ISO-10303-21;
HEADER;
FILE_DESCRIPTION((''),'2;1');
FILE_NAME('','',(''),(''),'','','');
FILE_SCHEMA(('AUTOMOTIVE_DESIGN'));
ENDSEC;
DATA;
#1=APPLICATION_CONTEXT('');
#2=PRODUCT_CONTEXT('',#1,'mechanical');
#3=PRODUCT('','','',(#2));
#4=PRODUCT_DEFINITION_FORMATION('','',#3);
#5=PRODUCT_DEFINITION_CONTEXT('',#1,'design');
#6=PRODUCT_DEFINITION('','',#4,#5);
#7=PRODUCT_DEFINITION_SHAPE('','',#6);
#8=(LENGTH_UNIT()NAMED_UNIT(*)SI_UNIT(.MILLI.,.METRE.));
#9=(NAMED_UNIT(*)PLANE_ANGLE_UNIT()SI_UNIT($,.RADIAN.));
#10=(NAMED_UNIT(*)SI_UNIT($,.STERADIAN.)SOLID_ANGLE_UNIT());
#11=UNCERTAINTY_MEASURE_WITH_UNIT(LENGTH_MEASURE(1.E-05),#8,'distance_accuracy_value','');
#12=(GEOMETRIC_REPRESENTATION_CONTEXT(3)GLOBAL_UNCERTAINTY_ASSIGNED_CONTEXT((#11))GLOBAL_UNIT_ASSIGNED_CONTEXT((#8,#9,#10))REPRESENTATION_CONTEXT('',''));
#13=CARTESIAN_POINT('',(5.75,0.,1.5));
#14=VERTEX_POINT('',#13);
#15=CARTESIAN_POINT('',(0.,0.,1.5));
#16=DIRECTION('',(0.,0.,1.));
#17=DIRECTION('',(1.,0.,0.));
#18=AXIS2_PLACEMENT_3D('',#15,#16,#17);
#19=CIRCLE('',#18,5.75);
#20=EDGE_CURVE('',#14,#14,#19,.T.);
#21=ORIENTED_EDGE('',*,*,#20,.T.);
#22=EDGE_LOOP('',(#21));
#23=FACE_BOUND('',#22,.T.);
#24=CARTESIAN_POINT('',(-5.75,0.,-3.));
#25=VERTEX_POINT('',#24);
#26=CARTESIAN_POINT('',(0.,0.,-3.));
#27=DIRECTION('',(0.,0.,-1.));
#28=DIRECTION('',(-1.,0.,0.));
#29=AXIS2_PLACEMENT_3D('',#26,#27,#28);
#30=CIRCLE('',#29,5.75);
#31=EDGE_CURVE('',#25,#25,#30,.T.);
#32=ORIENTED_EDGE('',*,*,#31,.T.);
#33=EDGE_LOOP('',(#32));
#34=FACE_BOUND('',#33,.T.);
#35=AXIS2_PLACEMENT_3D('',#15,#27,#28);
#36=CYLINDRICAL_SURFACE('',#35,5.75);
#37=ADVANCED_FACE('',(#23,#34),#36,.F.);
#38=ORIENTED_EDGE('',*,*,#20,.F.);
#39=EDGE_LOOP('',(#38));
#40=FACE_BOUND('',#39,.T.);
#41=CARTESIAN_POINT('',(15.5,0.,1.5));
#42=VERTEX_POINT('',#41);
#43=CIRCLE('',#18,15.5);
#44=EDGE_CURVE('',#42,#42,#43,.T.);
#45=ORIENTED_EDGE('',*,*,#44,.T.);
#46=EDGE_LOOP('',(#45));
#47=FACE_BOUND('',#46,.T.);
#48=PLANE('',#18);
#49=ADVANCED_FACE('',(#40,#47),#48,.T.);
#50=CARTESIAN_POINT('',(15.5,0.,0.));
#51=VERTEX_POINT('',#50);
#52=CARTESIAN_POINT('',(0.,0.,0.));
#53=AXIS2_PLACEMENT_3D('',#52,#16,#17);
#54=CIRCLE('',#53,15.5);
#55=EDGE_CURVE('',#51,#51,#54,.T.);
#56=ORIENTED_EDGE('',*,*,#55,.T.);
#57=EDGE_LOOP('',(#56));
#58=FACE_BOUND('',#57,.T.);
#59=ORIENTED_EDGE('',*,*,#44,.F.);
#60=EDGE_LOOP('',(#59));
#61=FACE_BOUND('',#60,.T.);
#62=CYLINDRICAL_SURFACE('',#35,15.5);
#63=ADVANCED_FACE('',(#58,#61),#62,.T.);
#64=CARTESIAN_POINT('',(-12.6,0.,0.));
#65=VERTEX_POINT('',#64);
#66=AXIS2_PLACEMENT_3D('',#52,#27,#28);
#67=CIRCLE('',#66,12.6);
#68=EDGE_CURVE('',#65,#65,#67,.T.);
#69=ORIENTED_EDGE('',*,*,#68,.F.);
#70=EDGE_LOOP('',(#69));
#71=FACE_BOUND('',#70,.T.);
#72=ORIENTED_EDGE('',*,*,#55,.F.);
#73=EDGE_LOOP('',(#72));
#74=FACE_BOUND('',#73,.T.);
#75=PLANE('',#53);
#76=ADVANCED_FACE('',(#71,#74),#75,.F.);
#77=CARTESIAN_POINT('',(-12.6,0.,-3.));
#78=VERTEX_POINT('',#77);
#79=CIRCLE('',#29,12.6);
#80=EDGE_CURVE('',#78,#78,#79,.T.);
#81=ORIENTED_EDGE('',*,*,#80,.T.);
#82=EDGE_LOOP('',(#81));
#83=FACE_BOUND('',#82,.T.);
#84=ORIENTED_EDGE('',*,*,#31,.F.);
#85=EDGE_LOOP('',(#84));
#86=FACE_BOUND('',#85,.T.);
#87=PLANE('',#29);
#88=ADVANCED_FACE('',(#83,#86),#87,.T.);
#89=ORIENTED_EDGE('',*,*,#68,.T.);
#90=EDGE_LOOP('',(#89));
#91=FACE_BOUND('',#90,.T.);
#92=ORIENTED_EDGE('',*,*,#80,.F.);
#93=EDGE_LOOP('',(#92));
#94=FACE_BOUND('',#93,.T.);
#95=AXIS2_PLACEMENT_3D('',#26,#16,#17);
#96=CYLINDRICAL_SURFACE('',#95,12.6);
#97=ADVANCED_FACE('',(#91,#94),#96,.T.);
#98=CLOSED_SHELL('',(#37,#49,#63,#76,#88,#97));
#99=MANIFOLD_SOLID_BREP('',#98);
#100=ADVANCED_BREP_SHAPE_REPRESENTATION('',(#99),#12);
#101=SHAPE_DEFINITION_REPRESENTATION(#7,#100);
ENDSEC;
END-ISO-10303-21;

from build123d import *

# Parameters (mm, degrees)
SKETCH1_R           = 15.5
SKETCH1_R_2         = 5.75
BOSS_EXTRUDE1_DEPTH = 1.5
SKETCH2_R           = 12.6
SKETCH2_R_2         = 5.75
BOSS_EXTRUDE2_DEPTH = 3


with BuildPart() as part:
    # Sketch1 → Boss-Extrude1 (new body)
    with BuildSketch(Plane.XY):
        Circle(SKETCH1_R)
        Circle(SKETCH1_R_2, mode=Mode.SUBTRACT)
    extrude(amount=BOSS_EXTRUDE1_DEPTH)

    # Sketch2 → Boss-Extrude2 (add)
    with BuildSketch(Plane(origin=(0, 0, 0), x_dir=(-1, 0, 0), z_dir=(0, 0, -1))):
        Circle(SKETCH2_R)
        Circle(SKETCH2_R_2, mode=Mode.SUBTRACT)
    extrude(amount=BOSS_EXTRUDE2_DEPTH)


solid = part.part
